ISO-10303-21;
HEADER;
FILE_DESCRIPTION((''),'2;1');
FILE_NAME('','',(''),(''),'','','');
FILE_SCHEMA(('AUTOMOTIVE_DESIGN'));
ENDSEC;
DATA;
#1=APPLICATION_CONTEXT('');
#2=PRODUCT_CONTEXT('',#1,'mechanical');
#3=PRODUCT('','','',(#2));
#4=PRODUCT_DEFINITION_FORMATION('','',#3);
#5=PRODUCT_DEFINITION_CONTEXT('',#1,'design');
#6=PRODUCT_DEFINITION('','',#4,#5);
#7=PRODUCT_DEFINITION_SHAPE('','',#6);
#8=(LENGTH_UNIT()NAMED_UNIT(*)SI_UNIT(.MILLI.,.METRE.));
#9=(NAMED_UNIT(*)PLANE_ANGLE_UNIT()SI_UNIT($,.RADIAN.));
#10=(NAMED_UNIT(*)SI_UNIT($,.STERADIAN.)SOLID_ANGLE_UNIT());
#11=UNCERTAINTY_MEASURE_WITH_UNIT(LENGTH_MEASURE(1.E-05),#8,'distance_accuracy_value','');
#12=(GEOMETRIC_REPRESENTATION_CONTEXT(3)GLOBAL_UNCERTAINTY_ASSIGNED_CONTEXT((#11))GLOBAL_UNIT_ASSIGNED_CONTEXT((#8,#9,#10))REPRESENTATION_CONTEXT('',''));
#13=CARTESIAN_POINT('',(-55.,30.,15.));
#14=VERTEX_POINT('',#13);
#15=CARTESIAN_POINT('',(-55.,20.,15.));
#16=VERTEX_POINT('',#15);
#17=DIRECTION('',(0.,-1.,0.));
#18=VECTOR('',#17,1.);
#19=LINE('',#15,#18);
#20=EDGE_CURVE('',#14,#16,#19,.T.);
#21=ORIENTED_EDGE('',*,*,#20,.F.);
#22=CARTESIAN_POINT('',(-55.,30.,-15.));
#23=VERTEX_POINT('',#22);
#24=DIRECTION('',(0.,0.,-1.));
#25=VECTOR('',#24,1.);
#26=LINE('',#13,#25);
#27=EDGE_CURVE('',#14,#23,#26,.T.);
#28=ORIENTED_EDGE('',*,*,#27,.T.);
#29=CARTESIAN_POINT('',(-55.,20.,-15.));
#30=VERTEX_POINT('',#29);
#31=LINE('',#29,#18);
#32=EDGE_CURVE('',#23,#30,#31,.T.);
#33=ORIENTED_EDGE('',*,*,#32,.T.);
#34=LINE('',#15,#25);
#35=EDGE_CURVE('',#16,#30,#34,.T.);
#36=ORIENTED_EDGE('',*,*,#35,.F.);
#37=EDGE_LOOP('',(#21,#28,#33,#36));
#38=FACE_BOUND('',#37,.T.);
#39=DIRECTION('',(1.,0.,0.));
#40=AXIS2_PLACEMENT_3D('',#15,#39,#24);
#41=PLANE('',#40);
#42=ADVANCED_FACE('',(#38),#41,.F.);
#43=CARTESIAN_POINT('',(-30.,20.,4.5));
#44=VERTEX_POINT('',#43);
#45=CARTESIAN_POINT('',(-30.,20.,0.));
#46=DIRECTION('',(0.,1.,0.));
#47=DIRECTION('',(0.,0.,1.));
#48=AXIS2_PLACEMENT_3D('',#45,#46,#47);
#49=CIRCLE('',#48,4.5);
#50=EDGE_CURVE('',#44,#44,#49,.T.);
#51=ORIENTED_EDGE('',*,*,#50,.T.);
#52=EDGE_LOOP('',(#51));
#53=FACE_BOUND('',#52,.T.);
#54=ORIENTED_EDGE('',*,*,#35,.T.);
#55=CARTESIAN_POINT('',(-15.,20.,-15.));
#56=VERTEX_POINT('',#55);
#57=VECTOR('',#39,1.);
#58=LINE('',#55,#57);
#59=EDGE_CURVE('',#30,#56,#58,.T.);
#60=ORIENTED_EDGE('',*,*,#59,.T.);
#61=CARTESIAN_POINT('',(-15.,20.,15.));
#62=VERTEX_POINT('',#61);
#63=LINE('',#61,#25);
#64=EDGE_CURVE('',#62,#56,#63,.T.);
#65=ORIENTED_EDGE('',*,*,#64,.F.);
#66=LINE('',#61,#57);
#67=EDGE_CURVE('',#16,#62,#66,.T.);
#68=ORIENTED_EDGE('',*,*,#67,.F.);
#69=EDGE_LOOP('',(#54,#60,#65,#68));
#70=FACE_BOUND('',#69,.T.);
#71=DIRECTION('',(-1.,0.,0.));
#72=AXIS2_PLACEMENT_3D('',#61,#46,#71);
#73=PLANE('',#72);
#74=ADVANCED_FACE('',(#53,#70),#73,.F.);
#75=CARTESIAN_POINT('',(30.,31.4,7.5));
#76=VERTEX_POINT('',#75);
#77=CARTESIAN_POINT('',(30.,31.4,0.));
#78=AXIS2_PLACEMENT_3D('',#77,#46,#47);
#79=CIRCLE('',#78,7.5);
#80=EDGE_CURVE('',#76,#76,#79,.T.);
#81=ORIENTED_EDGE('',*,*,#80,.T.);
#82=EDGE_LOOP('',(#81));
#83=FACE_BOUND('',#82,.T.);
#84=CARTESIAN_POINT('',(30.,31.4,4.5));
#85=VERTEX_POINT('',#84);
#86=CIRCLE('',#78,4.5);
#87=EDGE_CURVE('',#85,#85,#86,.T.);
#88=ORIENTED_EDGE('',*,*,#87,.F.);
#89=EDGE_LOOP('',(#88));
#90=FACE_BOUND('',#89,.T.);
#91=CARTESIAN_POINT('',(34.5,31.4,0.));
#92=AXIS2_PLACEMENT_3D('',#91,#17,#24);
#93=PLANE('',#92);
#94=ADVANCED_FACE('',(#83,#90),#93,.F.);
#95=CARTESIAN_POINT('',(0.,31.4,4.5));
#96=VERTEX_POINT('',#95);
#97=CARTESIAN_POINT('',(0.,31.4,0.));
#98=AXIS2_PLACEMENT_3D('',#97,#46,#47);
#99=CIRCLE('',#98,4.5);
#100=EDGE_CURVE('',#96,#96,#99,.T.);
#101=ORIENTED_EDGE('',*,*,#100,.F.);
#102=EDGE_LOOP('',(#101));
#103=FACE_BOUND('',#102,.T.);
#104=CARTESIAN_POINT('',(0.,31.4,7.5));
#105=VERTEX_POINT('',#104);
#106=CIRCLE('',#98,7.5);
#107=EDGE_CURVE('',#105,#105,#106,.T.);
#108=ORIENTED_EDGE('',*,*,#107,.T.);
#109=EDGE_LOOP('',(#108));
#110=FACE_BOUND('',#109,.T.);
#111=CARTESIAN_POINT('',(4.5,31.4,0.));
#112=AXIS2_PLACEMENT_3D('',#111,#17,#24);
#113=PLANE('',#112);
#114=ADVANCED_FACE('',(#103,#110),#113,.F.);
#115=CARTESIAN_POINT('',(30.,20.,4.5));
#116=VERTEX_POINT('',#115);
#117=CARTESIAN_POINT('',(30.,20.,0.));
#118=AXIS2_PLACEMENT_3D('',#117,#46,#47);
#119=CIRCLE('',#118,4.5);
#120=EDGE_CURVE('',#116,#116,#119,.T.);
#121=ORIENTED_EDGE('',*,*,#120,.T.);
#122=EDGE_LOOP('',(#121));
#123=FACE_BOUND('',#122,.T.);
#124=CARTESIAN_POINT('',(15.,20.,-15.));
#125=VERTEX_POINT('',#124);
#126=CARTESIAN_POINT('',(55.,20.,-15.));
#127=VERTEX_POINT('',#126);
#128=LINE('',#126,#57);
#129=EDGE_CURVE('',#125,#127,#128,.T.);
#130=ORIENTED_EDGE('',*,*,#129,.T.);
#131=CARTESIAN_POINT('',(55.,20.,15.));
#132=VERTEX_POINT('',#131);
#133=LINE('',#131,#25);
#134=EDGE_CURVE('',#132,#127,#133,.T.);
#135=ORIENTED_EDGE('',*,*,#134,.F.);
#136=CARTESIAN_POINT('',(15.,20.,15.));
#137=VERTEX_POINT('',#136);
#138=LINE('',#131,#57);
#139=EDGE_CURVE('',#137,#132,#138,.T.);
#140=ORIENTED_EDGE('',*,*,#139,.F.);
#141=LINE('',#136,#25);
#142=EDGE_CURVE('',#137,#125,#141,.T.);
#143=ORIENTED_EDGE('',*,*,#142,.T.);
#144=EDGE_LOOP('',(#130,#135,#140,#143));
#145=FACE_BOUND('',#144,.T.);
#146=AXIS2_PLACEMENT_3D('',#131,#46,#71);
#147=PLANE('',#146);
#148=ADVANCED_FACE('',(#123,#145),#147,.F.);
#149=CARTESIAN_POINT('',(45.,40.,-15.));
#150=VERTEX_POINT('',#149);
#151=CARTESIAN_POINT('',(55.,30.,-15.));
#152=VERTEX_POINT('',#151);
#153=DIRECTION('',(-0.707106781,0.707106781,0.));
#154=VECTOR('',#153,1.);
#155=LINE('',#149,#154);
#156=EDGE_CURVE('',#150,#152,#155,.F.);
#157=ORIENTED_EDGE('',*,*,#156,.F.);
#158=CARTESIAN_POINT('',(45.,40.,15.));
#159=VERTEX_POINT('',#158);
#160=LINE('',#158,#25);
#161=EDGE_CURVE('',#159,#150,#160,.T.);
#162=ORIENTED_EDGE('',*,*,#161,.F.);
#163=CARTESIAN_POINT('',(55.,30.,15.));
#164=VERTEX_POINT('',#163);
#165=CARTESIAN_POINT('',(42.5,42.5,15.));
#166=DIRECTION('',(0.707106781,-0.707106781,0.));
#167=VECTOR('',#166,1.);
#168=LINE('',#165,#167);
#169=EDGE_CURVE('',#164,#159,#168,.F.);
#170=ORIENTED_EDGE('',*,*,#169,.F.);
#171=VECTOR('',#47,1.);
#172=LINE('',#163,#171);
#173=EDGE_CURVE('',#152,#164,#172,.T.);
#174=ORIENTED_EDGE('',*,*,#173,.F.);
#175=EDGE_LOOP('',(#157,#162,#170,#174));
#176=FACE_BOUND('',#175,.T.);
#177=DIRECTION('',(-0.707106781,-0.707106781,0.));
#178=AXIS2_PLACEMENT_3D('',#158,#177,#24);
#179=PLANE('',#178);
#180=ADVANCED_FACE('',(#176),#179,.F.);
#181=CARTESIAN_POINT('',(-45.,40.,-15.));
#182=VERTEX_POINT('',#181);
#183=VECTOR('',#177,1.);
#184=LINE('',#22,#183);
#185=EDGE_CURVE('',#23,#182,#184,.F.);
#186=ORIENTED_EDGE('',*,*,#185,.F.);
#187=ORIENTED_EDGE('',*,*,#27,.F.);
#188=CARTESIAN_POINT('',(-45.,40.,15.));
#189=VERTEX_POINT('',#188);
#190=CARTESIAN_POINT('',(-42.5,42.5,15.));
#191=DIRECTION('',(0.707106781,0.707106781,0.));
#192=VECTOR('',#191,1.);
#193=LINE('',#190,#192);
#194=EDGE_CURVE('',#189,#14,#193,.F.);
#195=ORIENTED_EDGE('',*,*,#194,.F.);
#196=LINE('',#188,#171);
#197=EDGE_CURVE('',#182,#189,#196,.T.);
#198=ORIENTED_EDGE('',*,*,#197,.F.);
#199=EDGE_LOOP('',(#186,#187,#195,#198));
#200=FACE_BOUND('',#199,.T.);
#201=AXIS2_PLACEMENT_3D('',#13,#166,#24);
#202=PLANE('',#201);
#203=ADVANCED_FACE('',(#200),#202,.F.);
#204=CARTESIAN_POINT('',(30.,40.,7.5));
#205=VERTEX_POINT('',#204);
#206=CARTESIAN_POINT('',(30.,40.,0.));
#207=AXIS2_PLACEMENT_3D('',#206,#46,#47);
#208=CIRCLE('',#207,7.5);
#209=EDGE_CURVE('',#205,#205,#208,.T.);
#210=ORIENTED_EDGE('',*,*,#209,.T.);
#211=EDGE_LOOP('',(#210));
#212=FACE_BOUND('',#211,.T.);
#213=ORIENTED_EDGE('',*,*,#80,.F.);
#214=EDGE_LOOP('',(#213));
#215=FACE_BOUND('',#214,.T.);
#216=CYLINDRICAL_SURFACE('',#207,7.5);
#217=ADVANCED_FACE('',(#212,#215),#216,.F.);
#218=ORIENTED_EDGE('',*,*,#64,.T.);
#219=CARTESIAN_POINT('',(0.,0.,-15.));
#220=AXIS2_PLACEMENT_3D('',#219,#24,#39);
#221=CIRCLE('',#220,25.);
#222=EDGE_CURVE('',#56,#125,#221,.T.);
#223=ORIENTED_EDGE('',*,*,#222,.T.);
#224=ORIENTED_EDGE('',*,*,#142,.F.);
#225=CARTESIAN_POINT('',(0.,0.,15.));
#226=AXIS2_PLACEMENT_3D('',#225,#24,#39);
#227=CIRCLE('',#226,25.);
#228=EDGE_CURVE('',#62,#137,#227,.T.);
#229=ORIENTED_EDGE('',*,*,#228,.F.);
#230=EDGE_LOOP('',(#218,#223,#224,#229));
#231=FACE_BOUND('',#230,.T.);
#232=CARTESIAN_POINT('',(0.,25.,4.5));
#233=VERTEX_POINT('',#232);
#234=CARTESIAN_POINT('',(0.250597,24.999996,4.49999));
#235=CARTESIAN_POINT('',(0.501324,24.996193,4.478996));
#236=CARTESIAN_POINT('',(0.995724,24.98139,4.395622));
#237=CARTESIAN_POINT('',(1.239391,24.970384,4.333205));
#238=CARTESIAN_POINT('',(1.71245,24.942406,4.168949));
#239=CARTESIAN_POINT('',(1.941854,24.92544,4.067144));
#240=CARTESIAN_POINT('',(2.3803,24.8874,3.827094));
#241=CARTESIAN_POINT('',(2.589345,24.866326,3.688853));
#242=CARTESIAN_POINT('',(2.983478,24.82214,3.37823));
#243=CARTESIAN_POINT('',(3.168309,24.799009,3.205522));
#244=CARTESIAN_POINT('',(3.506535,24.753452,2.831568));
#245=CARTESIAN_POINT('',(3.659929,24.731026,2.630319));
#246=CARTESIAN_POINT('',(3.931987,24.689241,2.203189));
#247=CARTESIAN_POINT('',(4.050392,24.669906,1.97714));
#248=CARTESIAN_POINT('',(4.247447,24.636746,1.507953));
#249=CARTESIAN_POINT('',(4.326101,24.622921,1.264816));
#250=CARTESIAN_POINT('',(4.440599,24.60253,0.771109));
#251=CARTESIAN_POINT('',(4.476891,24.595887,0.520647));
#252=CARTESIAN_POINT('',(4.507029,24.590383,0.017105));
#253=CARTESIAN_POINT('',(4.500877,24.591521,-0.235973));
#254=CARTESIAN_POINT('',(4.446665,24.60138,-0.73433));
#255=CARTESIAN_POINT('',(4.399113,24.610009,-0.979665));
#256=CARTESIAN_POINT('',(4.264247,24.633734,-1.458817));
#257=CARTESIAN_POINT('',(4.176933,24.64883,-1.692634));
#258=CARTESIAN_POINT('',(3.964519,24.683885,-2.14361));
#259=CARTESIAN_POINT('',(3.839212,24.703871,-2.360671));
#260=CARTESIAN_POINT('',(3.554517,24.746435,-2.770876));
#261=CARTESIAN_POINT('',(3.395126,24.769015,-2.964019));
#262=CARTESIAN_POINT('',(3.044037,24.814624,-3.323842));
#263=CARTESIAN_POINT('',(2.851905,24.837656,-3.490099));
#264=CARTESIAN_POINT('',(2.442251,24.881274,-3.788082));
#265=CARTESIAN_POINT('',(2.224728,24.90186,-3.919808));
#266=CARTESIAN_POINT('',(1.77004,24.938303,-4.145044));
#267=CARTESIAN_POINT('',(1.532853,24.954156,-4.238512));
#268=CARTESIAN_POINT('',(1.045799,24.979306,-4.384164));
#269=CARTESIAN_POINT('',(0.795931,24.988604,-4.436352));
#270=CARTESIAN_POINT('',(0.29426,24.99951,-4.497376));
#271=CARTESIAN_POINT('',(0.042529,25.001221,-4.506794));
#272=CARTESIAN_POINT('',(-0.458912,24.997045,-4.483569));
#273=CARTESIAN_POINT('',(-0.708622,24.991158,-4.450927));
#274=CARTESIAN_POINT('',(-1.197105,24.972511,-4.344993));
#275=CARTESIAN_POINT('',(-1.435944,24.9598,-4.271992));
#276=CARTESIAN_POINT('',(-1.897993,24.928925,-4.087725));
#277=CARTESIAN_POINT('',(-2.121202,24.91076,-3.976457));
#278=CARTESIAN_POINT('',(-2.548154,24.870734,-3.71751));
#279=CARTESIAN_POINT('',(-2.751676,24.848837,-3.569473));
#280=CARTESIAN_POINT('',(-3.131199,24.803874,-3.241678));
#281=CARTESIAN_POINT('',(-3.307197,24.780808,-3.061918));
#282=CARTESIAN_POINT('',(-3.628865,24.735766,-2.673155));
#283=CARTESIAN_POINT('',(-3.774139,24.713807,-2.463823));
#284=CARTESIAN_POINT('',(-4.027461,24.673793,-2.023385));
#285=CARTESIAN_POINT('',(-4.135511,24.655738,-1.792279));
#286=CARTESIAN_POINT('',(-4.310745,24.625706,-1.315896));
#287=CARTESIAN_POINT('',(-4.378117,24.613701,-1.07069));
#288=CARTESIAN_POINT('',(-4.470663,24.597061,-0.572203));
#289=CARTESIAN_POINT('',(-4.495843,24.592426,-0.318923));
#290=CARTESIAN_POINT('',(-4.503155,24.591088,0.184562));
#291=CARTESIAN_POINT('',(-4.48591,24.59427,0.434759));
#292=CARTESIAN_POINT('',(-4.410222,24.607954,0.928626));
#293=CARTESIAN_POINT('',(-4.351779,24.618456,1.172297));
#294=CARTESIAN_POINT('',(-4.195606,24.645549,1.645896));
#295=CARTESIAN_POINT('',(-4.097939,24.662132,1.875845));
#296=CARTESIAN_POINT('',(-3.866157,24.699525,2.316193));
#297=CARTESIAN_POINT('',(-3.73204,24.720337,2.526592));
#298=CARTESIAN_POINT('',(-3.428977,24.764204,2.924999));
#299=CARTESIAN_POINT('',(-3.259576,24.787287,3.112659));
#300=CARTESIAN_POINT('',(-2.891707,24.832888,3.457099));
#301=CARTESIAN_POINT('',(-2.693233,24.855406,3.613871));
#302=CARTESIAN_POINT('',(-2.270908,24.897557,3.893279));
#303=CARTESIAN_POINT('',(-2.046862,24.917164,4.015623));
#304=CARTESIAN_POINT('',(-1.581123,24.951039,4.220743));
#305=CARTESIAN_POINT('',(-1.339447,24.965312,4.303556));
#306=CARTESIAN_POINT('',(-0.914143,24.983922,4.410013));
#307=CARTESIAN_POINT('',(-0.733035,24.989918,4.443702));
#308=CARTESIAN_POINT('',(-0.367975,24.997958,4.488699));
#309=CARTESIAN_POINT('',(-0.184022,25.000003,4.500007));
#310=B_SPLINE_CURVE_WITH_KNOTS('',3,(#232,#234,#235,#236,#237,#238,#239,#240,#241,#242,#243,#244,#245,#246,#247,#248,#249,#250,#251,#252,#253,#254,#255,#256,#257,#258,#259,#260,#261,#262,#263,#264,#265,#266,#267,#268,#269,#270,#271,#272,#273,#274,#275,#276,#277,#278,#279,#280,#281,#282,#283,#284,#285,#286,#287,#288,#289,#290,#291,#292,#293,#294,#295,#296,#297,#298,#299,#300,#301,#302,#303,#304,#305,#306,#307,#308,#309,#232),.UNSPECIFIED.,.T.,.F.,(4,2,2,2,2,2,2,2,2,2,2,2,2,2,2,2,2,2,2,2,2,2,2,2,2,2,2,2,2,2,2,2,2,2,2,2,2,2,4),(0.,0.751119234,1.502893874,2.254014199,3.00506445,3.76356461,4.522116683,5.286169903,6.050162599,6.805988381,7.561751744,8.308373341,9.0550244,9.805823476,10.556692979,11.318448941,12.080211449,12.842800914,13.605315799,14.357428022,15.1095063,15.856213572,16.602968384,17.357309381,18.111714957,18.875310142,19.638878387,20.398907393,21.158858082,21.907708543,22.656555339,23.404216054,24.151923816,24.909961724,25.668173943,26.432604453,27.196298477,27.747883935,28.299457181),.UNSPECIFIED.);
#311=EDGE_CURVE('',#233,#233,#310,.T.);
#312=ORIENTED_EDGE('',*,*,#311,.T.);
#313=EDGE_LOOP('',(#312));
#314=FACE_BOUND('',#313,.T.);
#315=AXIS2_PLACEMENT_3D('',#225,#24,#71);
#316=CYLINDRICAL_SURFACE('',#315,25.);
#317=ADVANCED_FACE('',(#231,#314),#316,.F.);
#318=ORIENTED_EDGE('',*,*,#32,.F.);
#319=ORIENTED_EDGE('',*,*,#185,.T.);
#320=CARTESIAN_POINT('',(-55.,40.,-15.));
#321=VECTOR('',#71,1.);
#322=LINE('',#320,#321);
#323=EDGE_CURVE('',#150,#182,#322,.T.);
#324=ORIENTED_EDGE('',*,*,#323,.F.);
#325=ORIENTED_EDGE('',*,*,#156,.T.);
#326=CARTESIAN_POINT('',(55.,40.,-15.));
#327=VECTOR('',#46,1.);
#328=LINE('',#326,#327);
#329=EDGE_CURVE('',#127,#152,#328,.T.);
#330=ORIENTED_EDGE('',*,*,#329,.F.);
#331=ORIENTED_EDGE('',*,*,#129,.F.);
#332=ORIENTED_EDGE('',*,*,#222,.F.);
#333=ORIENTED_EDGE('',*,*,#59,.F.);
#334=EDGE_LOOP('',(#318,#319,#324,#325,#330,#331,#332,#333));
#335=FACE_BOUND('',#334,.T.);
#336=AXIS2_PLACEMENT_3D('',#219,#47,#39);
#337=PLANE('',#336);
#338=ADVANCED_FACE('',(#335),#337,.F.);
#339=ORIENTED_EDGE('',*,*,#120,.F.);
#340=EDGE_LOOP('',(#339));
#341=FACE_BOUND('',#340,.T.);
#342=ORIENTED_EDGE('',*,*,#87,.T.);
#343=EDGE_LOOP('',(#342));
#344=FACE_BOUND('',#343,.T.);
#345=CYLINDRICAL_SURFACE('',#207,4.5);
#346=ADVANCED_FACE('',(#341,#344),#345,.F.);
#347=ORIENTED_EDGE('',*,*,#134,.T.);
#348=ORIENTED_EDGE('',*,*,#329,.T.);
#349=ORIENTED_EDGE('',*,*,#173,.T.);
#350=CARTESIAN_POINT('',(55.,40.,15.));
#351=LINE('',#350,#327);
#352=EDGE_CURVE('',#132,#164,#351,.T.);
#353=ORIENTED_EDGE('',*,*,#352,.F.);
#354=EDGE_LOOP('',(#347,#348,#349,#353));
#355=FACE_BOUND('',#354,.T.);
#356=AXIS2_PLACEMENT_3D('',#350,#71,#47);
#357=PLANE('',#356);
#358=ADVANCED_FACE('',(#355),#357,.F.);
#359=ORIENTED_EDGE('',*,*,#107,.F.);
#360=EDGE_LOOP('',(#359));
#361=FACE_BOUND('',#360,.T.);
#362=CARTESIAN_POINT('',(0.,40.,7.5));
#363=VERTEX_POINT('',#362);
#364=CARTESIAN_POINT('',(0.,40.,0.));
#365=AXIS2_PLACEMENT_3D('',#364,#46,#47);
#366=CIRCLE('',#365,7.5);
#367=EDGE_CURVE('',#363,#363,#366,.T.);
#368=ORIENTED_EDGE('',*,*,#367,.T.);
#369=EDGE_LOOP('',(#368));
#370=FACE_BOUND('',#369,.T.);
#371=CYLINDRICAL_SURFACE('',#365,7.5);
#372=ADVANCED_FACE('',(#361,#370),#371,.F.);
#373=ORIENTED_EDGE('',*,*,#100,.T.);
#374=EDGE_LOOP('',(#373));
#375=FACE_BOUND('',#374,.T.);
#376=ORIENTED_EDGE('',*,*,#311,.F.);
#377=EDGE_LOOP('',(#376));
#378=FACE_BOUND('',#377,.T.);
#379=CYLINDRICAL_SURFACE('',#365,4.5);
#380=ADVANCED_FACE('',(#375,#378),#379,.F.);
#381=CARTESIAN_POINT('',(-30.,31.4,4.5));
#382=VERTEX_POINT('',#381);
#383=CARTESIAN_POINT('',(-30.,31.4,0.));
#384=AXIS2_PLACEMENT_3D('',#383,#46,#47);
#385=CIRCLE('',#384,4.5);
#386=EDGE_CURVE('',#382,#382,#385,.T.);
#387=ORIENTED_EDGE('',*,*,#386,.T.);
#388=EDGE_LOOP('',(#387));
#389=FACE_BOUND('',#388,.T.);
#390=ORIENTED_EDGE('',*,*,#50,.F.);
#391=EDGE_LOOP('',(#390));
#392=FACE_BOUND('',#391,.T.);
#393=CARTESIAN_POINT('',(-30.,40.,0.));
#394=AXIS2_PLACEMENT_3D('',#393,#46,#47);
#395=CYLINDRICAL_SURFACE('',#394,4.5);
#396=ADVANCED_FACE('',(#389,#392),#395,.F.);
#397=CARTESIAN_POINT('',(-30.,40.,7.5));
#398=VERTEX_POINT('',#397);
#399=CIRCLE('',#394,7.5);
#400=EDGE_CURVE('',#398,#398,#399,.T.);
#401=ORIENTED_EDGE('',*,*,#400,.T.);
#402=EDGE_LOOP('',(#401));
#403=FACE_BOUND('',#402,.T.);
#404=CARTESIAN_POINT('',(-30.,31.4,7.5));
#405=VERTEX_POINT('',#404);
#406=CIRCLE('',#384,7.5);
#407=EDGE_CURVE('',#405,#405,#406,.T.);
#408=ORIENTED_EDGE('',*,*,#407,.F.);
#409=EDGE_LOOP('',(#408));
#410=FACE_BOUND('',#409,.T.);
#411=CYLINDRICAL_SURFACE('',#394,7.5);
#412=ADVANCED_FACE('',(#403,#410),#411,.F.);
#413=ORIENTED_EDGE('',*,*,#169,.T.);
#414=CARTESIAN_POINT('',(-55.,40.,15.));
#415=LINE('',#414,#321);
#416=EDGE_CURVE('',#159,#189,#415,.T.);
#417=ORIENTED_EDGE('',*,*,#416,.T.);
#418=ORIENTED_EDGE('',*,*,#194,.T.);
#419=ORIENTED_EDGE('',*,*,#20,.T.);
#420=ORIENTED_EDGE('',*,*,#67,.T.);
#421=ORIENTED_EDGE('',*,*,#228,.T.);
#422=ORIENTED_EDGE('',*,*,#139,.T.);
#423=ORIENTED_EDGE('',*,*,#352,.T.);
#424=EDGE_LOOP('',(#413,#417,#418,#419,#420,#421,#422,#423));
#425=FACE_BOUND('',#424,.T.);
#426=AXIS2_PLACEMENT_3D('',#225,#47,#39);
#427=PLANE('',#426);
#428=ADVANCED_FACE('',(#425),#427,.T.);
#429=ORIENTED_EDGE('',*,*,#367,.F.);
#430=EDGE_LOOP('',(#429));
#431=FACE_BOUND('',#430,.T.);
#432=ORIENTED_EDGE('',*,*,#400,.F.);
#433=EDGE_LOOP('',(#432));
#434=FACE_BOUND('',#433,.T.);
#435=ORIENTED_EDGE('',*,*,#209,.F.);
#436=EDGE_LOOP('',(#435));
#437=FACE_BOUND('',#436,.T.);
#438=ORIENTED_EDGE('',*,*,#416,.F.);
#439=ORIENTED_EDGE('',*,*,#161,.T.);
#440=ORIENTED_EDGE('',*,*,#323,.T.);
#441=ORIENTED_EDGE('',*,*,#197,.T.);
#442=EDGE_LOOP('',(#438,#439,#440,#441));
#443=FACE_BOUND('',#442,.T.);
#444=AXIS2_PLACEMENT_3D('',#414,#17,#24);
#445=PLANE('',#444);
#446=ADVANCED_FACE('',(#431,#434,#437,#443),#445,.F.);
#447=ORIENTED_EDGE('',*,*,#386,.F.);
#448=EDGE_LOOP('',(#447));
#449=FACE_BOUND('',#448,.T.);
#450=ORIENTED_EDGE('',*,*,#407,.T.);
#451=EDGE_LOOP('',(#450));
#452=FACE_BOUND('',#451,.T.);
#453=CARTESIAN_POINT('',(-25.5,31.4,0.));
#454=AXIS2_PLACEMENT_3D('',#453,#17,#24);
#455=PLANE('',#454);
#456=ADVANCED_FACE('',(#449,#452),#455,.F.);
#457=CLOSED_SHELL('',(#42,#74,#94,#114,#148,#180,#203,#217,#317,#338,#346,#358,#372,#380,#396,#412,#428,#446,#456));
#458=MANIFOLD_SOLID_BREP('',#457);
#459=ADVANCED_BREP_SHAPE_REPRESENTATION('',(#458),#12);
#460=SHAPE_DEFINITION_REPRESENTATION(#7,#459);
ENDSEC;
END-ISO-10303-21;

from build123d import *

# Parameters (mm, degrees)
EXTRUDE_1_DEPTH             = 15
HOLE_WIZARD_M81_D           = 9
HOLE_WIZARD_M81_CBORE_D     = 15
HOLE_WIZARD_M81_CBORE_DEPTH = 8.6
CHAMFER_1_SIZE              = 10


with BuildPart() as part:
    # Эскиз1 → Бобышка-Вытянуть1 (new, symmetric)
    with BuildSketch(Plane.XY):
        with BuildLine():
            Line((-15, 20), (-55, 20))
            Line((-55, 20), (-55, 40))
            Line((-55, 40), (55, 40))
            Line((55, 40), (55, 20))
            Line((55, 20), (15, 20))
            ThreePointArc((15, 20), (0, 25), (-15, 20))
        make_face()
    extrude(amount=EXTRUDE_1_DEPTH, both=True)

    # Цековка для винта с внутренним шестигранником M81 (through all)
    with Locations(Plane(origin=(0, 40, 0), x_dir=(1, 0, 0), z_dir=(0, 1, 0))):
        with Locations((0, 0), (-30, 0), (30, 0)):
            CounterBoreHole(HOLE_WIZARD_M81_D / 2, HOLE_WIZARD_M81_CBORE_D / 2, HOLE_WIZARD_M81_CBORE_DEPTH)

    # Фаска1
    chamfer_1_edges = [part.edges().sort_by_distance(p)[0] for p in [
        (-55, 40, 0),
        (55, 40, 0),
    ]]
    chamfer(chamfer_1_edges, length=CHAMFER_1_SIZE)


solid = part.part
